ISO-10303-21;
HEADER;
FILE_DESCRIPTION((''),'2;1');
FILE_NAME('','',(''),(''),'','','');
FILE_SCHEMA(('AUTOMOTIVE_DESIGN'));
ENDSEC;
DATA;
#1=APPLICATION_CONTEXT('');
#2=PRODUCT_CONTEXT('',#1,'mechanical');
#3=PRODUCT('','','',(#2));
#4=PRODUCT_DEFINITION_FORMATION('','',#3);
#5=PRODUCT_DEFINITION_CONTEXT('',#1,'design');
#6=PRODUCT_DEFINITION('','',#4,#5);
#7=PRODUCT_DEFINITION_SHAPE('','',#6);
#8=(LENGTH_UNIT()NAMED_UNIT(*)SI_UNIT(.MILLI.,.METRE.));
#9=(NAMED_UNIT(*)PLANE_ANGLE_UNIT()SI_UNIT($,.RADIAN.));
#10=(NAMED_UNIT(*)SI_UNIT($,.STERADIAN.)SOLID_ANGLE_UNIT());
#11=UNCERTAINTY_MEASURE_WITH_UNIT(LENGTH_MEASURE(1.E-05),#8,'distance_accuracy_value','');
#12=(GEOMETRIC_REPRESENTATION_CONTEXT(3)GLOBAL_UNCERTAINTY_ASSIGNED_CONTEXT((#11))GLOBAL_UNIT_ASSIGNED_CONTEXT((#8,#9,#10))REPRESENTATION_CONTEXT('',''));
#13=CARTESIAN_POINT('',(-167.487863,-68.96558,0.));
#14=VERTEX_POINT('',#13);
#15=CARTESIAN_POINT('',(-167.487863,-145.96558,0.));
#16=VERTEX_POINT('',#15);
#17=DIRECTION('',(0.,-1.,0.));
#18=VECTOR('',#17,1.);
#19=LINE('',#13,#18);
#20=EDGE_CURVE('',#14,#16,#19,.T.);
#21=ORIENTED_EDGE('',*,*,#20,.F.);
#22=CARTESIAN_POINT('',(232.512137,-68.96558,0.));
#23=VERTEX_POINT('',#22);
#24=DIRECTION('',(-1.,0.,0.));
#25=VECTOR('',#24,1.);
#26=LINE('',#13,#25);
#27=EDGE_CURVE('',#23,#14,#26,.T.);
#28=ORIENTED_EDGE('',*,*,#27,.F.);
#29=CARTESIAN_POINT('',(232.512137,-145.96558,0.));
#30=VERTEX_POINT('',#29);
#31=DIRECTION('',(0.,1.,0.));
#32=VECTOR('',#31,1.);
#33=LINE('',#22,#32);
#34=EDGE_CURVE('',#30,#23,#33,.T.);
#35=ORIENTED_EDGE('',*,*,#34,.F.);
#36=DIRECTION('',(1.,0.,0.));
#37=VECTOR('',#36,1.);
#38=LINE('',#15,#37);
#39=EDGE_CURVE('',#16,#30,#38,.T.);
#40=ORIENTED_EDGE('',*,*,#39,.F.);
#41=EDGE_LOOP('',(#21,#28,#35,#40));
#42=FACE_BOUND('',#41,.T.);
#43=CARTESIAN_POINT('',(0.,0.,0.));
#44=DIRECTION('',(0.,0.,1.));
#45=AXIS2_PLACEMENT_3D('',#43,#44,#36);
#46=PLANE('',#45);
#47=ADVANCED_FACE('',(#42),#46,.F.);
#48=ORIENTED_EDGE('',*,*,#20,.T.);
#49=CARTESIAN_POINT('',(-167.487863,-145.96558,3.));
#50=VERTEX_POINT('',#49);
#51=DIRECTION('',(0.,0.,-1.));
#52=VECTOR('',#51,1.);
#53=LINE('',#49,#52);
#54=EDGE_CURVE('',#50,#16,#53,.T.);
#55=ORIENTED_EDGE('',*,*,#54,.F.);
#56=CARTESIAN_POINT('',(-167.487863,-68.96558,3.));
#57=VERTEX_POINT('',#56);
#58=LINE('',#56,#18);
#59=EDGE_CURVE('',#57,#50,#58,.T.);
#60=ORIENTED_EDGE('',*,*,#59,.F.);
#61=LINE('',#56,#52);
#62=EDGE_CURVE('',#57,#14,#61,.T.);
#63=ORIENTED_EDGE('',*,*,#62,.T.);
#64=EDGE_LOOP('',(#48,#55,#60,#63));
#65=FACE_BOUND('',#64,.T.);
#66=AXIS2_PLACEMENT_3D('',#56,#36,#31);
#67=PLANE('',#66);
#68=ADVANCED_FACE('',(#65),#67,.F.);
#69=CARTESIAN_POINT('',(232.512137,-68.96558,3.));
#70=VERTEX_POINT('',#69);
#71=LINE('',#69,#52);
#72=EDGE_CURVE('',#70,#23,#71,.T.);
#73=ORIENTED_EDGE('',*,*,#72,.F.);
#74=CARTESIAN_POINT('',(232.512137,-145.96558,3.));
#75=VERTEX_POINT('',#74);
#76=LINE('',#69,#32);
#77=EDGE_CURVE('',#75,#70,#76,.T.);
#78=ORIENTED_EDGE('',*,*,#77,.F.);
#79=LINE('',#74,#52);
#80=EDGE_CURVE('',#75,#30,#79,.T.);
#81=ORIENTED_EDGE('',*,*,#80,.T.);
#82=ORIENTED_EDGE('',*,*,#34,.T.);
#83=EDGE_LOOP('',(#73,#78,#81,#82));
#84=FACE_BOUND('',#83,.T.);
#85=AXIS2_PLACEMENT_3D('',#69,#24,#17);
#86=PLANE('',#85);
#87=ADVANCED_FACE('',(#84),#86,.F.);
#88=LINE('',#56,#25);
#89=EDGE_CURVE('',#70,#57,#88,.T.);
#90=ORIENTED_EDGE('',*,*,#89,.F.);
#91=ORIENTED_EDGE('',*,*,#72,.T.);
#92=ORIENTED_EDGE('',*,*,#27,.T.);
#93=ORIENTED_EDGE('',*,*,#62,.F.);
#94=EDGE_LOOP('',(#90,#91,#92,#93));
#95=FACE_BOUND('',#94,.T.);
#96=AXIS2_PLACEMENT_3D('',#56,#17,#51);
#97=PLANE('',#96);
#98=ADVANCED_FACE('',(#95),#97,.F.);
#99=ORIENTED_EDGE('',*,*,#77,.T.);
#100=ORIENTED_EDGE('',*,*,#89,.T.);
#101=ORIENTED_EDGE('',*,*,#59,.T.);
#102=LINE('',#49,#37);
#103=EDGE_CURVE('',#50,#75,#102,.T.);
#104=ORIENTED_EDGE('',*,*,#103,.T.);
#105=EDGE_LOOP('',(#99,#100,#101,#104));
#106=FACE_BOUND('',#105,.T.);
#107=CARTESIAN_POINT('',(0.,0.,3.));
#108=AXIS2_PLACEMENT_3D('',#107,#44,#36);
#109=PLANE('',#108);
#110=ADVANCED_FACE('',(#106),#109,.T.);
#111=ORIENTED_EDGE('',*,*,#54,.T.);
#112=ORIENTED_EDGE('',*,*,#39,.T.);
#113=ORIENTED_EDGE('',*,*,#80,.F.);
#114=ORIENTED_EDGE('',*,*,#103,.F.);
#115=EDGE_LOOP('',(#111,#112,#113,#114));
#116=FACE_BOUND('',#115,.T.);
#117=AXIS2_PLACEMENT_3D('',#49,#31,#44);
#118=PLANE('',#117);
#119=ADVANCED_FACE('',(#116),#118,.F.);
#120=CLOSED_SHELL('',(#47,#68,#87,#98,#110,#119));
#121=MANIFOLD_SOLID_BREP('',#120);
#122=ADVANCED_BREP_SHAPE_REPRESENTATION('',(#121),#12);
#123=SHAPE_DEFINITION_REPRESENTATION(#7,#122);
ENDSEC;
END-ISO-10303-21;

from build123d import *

# Parameters (mm, degrees)
SZKIC1_W                    = 400
SZKIC1_H                    = 77
DODANIE_WYCI_GNI_CIE1_DEPTH = 3


with BuildPart() as part:
    # Szkic1 → Dodanie-wyciągnięcie1 (new body)
    with BuildSketch(Plane.XY):
        with Locations((32.512137481, -107.46557971)):
            Rectangle(SZKIC1_W, SZKIC1_H)
    extrude(amount=DODANIE_WYCI_GNI_CIE1_DEPTH)


solid = part.part
